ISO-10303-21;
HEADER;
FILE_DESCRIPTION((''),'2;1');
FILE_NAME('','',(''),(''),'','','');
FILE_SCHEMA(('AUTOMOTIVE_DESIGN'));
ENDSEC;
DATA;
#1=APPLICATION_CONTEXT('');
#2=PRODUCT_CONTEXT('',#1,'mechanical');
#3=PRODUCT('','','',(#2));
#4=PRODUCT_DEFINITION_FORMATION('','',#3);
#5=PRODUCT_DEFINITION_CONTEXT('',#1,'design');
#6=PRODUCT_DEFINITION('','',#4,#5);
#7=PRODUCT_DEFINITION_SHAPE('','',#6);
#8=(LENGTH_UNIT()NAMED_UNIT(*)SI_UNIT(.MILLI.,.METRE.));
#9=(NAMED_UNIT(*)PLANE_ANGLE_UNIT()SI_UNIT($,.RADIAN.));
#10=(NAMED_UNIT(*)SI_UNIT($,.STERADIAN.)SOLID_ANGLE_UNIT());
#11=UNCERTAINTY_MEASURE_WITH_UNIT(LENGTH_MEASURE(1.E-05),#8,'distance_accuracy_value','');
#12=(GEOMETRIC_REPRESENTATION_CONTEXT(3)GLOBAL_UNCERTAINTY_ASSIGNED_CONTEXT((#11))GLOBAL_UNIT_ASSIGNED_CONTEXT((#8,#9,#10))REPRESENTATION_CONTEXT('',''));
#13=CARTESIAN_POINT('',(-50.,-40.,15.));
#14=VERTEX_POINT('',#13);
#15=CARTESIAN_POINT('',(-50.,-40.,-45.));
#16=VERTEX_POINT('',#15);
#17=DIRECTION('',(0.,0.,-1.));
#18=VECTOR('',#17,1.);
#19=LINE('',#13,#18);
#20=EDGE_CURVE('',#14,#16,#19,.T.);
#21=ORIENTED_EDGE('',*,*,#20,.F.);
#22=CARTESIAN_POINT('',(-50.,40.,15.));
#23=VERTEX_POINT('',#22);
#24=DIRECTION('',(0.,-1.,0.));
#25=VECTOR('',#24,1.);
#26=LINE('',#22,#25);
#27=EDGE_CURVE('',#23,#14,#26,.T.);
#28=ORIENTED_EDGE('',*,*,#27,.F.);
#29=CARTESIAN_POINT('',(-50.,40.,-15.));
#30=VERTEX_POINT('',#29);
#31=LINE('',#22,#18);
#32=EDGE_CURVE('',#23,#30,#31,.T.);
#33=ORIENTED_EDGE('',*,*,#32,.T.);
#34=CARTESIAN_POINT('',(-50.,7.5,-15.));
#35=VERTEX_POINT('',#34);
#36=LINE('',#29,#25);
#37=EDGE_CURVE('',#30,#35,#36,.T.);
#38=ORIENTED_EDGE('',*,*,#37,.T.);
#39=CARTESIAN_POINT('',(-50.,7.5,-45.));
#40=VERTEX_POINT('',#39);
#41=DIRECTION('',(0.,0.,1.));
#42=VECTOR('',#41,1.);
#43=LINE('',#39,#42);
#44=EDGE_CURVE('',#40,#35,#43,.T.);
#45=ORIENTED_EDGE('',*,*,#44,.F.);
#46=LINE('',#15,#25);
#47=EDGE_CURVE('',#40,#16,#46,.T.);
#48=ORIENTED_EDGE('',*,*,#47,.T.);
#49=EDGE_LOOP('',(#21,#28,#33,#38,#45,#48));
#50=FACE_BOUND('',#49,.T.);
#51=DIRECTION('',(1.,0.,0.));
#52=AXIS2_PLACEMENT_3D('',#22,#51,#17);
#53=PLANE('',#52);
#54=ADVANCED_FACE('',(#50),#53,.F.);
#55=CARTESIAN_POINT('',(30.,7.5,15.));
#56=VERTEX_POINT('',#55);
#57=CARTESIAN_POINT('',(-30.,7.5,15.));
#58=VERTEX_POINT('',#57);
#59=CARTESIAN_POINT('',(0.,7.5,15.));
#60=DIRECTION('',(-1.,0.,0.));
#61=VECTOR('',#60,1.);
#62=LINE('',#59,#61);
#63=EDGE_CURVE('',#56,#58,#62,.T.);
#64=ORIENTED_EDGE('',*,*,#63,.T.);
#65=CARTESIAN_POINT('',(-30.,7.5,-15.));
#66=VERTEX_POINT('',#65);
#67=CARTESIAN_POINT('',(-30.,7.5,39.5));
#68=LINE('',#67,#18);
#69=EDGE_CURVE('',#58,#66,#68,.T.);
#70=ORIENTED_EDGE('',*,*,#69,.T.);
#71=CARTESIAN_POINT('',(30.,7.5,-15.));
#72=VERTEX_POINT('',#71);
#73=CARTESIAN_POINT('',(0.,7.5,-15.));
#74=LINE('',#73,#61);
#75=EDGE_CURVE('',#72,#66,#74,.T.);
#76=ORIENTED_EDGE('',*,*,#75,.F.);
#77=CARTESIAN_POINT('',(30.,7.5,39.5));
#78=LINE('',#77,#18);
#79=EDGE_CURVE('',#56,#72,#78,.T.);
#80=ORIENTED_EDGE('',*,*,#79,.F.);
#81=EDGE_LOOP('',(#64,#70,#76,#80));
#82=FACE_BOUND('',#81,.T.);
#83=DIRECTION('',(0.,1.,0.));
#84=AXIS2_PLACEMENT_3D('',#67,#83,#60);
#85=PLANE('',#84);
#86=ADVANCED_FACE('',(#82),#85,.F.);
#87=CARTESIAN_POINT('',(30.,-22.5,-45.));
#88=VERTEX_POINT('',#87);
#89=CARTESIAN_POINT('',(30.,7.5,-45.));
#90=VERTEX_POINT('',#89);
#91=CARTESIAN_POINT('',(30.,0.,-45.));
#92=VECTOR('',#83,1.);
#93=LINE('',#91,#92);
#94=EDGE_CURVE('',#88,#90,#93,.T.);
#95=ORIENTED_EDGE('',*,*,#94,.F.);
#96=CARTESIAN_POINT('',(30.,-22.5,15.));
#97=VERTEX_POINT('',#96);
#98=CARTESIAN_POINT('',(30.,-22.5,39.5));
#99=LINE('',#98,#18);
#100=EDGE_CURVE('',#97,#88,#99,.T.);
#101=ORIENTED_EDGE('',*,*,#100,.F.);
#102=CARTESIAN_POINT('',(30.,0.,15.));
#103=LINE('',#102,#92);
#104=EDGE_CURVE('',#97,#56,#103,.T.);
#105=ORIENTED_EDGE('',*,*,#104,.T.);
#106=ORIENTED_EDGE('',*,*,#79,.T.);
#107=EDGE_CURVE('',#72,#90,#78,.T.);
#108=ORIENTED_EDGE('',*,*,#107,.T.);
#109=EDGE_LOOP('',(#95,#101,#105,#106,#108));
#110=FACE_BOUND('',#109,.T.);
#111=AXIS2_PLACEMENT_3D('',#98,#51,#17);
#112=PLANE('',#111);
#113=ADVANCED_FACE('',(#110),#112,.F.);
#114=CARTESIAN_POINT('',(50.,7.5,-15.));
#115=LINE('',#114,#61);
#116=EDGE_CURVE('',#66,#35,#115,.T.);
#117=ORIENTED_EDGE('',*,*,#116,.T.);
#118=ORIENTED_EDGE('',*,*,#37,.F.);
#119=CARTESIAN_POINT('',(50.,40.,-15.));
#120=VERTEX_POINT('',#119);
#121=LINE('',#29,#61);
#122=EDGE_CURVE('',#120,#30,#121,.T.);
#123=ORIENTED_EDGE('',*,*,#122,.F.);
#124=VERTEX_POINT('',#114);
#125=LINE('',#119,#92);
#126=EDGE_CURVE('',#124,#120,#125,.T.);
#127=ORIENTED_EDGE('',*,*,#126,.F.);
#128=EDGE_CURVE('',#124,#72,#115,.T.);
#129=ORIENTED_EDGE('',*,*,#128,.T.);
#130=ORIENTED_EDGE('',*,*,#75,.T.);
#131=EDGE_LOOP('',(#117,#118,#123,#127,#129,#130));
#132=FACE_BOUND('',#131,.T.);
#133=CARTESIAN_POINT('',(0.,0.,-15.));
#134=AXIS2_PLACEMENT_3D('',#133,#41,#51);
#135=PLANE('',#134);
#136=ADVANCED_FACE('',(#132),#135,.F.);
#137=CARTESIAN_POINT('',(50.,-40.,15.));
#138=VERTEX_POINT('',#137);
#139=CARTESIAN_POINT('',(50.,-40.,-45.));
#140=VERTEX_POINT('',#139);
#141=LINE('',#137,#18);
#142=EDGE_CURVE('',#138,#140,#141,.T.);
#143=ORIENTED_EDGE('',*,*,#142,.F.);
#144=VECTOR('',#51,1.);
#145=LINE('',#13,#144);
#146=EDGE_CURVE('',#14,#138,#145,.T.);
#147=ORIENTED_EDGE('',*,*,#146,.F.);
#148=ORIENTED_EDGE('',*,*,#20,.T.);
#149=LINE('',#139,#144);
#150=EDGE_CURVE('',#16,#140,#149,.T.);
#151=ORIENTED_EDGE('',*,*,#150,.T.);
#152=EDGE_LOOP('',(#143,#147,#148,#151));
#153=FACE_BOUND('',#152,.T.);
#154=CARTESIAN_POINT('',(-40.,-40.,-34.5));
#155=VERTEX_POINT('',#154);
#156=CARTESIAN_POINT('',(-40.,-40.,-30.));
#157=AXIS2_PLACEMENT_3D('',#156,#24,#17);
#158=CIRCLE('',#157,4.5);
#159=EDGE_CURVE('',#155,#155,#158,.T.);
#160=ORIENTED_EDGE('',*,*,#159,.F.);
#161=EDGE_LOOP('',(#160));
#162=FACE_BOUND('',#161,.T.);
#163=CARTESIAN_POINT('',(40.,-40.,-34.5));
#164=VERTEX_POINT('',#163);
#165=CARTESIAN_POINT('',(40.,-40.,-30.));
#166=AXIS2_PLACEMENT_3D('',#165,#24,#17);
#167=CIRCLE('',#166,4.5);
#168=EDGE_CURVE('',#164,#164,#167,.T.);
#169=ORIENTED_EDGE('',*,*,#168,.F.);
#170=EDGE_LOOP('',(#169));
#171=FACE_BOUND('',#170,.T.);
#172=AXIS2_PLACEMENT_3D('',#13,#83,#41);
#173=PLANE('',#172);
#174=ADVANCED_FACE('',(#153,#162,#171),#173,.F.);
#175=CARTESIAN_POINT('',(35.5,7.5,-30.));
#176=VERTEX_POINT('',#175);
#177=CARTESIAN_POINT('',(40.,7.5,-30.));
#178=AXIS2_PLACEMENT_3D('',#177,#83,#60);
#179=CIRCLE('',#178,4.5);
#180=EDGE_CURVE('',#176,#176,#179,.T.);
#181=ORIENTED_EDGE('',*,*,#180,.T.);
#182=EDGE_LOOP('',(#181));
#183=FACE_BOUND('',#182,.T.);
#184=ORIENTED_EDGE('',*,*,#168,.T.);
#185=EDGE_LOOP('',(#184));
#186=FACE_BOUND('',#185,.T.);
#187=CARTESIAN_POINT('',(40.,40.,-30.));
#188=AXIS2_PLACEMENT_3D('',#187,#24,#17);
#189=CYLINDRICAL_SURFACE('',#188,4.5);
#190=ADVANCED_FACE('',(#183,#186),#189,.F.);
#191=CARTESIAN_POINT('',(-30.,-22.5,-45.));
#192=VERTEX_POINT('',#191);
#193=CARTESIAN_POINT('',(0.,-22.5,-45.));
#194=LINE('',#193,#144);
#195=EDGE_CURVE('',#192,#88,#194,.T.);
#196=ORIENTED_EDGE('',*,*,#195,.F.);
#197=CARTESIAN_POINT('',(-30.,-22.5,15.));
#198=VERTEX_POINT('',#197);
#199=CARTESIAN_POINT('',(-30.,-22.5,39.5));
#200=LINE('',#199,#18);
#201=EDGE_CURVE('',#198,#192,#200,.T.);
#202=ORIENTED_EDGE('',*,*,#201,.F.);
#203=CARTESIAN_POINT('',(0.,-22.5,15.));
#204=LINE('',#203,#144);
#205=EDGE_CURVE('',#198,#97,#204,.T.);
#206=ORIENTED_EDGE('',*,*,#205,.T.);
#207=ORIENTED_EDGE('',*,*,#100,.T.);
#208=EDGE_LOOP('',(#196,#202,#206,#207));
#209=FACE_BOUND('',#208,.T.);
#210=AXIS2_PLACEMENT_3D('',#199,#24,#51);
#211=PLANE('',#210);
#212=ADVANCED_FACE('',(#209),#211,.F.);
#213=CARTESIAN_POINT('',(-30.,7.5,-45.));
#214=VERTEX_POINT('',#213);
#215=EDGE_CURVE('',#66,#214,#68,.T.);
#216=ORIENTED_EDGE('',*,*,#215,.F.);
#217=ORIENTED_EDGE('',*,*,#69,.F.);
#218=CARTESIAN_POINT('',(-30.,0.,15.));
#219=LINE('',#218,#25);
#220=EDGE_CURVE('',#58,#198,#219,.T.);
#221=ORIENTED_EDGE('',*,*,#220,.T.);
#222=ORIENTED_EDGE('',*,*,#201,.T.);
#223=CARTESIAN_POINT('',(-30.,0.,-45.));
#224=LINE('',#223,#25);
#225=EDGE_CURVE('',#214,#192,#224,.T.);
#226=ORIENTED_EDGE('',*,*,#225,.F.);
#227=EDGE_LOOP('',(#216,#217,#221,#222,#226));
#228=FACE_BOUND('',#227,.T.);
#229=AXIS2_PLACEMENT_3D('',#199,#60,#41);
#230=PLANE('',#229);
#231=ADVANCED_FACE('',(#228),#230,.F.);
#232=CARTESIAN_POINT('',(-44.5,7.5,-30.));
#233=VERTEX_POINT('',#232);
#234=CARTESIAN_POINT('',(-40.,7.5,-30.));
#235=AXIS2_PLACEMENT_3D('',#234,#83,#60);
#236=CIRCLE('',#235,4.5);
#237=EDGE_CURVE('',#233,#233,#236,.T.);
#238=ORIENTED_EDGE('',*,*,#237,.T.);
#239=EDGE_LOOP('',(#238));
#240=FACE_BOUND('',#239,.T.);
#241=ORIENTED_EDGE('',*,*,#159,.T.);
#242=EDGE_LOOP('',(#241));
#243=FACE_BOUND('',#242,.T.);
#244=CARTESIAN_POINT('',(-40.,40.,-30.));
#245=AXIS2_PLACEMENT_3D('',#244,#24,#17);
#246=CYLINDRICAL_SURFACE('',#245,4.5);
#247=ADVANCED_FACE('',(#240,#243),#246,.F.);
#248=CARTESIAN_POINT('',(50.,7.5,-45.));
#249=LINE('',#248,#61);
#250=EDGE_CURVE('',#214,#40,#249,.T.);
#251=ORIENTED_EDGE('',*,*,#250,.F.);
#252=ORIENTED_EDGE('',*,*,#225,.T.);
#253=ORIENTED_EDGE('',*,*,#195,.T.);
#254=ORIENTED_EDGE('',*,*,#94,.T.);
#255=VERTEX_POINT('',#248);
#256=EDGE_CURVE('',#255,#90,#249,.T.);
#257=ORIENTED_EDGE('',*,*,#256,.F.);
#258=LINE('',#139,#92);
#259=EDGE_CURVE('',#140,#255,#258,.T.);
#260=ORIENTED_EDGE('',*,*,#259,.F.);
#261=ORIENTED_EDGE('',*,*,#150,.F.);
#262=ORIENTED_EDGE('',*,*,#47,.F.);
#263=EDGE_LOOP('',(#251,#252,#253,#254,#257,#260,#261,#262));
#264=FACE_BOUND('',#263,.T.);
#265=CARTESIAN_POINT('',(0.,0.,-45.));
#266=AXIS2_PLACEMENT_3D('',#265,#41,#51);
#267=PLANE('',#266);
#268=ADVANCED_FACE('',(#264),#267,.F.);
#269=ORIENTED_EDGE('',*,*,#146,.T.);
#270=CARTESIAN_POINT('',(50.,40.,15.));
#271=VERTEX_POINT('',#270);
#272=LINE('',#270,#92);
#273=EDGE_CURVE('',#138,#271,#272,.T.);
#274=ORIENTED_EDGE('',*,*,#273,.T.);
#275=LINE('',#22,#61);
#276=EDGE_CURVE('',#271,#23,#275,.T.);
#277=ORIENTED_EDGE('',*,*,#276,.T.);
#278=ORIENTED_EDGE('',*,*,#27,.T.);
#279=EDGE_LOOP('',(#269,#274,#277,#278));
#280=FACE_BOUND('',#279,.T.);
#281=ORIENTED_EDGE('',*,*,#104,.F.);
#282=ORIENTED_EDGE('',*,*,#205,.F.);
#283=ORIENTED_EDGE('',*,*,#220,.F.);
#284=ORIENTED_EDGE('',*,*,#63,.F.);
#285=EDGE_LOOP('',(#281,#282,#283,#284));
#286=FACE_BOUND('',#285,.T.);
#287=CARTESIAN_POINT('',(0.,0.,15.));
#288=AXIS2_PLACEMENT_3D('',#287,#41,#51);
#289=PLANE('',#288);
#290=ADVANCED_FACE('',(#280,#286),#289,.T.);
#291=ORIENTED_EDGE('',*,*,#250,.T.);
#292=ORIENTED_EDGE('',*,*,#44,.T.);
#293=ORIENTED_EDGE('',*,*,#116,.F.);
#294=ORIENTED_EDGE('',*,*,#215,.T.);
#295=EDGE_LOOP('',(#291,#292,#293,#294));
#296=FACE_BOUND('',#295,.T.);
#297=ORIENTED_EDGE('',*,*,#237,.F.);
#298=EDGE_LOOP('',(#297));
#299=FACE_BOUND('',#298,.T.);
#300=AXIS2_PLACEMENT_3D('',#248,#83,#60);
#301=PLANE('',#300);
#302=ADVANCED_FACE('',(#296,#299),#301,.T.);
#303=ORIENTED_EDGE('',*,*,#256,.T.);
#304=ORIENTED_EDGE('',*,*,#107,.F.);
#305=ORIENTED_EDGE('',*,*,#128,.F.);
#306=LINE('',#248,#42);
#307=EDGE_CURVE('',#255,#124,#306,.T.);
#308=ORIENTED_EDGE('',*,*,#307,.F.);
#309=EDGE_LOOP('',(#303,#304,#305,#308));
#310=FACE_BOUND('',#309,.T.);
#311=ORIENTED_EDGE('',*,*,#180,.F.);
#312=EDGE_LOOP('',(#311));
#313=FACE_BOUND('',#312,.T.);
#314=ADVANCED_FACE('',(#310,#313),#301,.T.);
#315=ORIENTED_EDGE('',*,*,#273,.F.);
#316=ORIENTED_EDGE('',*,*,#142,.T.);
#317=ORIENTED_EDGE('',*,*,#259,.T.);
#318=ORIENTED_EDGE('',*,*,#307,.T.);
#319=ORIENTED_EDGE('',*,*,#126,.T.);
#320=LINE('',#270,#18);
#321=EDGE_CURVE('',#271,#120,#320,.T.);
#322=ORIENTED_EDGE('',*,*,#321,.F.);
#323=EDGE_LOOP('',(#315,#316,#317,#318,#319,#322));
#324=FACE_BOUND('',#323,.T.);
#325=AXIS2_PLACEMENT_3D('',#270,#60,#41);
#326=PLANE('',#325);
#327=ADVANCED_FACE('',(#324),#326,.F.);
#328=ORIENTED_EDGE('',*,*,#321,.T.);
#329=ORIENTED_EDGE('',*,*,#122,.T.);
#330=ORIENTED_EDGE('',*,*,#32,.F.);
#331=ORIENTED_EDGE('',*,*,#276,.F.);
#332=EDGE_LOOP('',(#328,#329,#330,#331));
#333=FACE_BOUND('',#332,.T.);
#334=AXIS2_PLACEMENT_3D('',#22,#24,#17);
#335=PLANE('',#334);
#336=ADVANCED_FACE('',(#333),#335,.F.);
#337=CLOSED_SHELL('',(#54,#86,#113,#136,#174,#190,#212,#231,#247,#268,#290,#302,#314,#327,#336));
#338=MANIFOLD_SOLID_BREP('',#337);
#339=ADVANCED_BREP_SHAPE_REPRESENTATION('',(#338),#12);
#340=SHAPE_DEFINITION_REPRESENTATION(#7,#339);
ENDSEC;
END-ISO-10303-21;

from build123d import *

# Parameters (mm, degrees)
SKETCH_1_W          = 100
SKETCH_1_H          = 80
EXTRUDE_1_DEPTH     = 15
SKETCH_4_W          = 100
SKETCH_4_H          = 47.5
EXTRUDE_2_DEPTH     = 30
SKETCH_2_W          = 60
SKETCH_2_H          = 30
CUT_EXTRUDE_1_DEPTH = 54.5
SKETCH_5_R          = 4.5
CUT_EXTRUDE_2_DEPTH = 105.522724802


with BuildPart() as part:
    # 草图1 → 凸台-拉伸1 (new, symmetric)
    with BuildSketch(Plane.XY):
        Rectangle(SKETCH_1_W, SKETCH_1_H)
    extrude(amount=EXTRUDE_1_DEPTH, both=True)

    # 草图4 → 凸台-拉伸2 (add)
    with BuildSketch(Plane.XY.offset(-15)):
        with Locations((0, -16.25)):
            Rectangle(SKETCH_4_W, SKETCH_4_H)
    extrude(amount=-EXTRUDE_2_DEPTH)

    # 草图2 → 切除-拉伸1 (cut, symmetric)
    with BuildSketch(Plane(origin=(0, 0, -15), x_dir=(-1, 0, 0), z_dir=(0, 0, -1))):
        with Locations((0, -7.5)):
            Rectangle(SKETCH_2_W, SKETCH_2_H)
    extrude(amount=CUT_EXTRUDE_1_DEPTH, both=True, mode=Mode.SUBTRACT)

    # 草图5 → 切除-拉伸2 (cut, through all)
    with BuildSketch(Plane.XZ.offset(40)):
        with Locations(Location((-40, -30, 0), (0, 0, 270))):
            Circle(SKETCH_5_R)
        with Locations(Location((40, -30, 0), (0, 0, 270))):
            Circle(SKETCH_5_R)
    extrude(amount=-CUT_EXTRUDE_2_DEPTH, mode=Mode.SUBTRACT)


solid = part.part
